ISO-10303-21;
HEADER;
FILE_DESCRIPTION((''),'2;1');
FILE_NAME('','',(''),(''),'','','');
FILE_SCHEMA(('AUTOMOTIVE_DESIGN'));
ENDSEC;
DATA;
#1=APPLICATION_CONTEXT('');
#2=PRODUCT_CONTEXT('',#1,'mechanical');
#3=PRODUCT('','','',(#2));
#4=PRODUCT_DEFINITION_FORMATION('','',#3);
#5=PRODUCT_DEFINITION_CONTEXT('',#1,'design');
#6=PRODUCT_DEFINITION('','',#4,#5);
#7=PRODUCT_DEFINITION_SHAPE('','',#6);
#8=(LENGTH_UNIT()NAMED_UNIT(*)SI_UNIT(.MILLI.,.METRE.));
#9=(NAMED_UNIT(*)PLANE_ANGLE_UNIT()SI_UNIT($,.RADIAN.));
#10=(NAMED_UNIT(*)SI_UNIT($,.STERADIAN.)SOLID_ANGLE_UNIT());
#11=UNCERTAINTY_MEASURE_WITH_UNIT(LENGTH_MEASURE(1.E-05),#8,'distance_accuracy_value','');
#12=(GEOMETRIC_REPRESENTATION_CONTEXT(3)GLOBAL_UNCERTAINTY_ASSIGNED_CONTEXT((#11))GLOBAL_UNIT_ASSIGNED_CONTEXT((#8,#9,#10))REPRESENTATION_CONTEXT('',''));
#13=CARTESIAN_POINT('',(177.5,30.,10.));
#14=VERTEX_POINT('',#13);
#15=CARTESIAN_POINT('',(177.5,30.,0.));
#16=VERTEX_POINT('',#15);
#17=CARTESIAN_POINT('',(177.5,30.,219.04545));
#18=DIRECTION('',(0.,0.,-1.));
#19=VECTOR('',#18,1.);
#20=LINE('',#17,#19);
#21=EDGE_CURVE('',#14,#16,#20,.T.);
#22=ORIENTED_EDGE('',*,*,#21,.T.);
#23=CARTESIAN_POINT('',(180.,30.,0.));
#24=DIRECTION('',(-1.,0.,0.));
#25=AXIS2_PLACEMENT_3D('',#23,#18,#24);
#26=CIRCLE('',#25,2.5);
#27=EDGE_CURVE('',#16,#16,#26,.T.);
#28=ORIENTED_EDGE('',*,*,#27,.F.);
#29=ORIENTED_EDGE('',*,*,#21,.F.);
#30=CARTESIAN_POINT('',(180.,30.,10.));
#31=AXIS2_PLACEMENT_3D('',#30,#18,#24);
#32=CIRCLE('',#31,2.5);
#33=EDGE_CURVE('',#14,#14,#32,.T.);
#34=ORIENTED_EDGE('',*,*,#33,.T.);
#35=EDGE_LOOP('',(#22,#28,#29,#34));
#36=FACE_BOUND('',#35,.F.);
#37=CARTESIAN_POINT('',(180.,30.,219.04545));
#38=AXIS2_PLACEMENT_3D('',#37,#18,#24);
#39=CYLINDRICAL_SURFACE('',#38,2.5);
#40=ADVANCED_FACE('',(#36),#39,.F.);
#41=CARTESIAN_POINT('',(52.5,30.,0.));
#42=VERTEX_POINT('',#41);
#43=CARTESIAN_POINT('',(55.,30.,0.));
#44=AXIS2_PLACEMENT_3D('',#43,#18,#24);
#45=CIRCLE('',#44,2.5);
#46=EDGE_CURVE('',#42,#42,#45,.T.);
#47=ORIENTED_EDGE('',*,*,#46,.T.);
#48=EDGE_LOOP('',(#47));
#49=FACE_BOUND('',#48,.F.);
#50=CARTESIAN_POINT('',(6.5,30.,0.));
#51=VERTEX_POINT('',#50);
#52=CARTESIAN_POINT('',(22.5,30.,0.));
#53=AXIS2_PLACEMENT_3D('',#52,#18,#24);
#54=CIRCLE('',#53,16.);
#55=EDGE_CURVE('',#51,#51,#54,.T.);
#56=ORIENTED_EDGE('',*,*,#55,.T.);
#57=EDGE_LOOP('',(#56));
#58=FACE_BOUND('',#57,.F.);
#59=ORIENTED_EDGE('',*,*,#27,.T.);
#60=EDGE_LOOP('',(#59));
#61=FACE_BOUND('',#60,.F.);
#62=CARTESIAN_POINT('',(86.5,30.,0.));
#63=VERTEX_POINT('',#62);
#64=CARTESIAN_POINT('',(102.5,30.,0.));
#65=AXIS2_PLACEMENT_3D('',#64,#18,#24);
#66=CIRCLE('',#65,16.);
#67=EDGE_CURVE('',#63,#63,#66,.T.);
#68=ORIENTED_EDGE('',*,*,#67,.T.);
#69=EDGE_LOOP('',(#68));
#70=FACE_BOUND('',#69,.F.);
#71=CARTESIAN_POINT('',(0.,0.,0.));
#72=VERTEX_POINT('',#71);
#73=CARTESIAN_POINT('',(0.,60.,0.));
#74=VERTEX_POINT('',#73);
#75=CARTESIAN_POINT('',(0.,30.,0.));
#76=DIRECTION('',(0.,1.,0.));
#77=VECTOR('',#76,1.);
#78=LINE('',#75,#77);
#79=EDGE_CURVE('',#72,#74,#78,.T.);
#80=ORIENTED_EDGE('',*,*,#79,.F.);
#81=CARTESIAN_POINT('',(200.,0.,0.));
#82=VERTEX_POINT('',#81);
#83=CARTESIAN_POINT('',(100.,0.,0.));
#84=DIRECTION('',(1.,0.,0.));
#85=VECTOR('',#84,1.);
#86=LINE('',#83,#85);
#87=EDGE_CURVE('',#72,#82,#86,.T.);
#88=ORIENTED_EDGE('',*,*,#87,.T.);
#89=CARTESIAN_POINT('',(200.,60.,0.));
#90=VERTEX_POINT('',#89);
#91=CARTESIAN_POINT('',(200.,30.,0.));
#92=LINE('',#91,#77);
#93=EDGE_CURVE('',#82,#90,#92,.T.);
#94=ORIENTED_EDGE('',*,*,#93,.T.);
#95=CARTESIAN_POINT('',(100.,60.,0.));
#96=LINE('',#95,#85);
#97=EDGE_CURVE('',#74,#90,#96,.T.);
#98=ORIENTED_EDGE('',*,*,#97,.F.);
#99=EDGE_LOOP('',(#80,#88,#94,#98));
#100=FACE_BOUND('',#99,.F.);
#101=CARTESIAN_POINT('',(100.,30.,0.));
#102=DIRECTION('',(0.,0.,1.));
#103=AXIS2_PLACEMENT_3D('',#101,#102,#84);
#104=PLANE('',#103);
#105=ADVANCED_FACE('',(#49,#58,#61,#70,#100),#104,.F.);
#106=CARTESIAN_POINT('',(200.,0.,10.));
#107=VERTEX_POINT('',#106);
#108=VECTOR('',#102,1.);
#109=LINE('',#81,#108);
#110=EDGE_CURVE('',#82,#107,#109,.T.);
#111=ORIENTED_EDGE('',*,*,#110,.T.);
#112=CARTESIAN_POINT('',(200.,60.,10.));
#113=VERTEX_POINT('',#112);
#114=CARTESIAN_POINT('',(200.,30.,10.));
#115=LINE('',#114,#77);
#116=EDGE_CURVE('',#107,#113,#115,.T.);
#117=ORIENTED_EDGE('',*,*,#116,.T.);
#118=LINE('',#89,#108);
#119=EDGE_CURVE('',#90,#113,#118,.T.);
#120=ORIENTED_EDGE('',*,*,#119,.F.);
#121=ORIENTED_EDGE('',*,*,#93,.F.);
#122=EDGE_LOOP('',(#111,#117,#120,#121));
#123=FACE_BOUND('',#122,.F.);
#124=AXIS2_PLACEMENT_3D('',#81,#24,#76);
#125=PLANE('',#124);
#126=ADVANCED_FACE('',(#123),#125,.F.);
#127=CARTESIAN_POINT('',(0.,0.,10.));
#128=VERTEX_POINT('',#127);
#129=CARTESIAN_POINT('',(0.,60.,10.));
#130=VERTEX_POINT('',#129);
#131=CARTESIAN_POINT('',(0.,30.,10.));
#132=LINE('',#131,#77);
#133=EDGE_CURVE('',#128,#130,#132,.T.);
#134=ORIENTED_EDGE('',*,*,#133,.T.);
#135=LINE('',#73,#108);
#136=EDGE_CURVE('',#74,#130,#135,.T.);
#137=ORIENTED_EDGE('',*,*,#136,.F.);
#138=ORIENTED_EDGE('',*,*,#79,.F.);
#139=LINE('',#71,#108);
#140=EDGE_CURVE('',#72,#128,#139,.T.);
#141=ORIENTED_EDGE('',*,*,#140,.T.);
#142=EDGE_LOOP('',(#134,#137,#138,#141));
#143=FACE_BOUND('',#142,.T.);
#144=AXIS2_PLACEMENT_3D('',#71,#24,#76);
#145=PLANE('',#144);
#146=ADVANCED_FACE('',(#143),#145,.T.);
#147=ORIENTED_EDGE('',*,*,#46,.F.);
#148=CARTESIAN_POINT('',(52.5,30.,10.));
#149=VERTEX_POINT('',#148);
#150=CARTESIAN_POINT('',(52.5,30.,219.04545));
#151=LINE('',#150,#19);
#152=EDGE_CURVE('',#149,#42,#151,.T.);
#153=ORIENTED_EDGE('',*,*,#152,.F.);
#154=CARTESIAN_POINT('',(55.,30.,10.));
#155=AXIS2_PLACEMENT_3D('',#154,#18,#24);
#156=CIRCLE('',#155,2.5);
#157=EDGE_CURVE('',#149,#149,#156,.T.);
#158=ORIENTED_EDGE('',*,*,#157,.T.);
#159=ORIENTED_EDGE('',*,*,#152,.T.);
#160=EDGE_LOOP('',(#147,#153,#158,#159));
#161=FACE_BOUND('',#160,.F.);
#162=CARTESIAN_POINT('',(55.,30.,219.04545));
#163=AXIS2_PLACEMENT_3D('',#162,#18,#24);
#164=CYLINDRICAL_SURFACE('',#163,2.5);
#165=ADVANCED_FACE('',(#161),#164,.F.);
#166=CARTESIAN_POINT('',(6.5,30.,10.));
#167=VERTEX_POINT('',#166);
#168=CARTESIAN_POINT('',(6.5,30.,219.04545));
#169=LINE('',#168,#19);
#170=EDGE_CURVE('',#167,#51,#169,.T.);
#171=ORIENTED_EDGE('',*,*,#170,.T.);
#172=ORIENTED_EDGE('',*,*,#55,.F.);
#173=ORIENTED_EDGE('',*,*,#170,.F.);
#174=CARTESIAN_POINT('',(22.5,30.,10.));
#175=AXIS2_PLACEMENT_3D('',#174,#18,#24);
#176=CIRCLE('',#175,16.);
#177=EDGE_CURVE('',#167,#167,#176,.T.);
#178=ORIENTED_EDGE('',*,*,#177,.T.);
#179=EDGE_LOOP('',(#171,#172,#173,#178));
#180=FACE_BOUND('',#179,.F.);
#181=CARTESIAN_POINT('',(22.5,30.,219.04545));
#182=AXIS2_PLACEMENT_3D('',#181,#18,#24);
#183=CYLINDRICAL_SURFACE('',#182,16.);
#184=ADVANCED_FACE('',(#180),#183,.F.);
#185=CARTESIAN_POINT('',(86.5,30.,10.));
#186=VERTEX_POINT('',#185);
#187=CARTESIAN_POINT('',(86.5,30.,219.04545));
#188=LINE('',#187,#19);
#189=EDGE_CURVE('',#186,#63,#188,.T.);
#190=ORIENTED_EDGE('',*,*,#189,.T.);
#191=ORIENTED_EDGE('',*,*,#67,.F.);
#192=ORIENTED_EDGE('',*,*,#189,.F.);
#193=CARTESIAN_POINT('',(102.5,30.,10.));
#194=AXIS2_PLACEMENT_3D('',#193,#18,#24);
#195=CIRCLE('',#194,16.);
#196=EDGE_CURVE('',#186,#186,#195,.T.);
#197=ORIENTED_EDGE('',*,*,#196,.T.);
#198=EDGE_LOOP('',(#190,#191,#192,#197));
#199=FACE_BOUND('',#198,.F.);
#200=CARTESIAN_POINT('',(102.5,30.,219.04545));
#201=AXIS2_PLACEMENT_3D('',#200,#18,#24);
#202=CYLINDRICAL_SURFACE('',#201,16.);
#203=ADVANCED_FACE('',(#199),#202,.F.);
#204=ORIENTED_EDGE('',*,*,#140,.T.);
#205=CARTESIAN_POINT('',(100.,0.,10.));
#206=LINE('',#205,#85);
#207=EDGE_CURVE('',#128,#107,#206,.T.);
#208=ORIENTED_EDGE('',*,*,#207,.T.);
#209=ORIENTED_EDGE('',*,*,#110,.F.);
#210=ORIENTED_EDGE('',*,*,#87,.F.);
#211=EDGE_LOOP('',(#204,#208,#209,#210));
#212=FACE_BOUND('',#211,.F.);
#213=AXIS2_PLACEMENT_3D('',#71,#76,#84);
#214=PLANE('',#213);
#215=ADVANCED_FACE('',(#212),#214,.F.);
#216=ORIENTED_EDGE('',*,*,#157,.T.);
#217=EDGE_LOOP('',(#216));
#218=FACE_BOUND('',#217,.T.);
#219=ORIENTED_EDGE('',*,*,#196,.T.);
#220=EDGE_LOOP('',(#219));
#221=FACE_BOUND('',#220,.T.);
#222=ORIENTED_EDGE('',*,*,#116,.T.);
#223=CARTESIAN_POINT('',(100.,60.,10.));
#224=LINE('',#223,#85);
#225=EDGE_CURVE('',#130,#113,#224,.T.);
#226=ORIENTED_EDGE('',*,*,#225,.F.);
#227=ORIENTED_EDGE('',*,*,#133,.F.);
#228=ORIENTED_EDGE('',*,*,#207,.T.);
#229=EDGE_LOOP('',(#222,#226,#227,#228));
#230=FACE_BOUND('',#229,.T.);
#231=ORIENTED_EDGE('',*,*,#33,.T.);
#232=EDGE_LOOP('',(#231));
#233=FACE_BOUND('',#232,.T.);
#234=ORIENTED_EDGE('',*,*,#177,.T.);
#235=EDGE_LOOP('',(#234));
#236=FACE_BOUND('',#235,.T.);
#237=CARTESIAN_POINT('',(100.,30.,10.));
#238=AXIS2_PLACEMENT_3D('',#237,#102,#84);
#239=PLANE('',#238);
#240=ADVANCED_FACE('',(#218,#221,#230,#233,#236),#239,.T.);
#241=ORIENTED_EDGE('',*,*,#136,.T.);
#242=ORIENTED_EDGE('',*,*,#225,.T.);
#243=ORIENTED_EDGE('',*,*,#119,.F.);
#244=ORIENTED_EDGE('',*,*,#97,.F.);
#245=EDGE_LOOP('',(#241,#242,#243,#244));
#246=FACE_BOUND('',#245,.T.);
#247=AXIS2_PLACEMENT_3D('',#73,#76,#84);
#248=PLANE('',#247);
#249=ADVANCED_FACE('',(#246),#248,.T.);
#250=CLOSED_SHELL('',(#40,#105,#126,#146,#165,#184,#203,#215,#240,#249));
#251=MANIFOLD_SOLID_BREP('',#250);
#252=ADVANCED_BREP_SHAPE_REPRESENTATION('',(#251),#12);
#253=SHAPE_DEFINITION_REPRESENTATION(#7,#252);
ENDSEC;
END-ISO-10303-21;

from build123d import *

# Parameters (mm, degrees)
F0_W     = 200
F0_H     = 60
F1_DEPTH = 10
F3_D     = 32
F5_D     = 5


with BuildPart() as f1:
    # F0 (on Top) → F1 (new body)
    with BuildSketch(Plane.XY):
        with Locations((100, 30)):
            Rectangle(F0_W, F0_H)
    extrude(amount=F1_DEPTH)

    # F3 (through all)
    with Locations(Plane.XY.offset(10)):
        with Locations((102.5, 30), (22.5, 30)):
            Hole(F3_D / 2)

    # F5 (through all)
    with Locations(Plane.XY.offset(10)):
        with Locations((55, 30), (180, 30)):
            Hole(F5_D / 2)


solid = f1.part
